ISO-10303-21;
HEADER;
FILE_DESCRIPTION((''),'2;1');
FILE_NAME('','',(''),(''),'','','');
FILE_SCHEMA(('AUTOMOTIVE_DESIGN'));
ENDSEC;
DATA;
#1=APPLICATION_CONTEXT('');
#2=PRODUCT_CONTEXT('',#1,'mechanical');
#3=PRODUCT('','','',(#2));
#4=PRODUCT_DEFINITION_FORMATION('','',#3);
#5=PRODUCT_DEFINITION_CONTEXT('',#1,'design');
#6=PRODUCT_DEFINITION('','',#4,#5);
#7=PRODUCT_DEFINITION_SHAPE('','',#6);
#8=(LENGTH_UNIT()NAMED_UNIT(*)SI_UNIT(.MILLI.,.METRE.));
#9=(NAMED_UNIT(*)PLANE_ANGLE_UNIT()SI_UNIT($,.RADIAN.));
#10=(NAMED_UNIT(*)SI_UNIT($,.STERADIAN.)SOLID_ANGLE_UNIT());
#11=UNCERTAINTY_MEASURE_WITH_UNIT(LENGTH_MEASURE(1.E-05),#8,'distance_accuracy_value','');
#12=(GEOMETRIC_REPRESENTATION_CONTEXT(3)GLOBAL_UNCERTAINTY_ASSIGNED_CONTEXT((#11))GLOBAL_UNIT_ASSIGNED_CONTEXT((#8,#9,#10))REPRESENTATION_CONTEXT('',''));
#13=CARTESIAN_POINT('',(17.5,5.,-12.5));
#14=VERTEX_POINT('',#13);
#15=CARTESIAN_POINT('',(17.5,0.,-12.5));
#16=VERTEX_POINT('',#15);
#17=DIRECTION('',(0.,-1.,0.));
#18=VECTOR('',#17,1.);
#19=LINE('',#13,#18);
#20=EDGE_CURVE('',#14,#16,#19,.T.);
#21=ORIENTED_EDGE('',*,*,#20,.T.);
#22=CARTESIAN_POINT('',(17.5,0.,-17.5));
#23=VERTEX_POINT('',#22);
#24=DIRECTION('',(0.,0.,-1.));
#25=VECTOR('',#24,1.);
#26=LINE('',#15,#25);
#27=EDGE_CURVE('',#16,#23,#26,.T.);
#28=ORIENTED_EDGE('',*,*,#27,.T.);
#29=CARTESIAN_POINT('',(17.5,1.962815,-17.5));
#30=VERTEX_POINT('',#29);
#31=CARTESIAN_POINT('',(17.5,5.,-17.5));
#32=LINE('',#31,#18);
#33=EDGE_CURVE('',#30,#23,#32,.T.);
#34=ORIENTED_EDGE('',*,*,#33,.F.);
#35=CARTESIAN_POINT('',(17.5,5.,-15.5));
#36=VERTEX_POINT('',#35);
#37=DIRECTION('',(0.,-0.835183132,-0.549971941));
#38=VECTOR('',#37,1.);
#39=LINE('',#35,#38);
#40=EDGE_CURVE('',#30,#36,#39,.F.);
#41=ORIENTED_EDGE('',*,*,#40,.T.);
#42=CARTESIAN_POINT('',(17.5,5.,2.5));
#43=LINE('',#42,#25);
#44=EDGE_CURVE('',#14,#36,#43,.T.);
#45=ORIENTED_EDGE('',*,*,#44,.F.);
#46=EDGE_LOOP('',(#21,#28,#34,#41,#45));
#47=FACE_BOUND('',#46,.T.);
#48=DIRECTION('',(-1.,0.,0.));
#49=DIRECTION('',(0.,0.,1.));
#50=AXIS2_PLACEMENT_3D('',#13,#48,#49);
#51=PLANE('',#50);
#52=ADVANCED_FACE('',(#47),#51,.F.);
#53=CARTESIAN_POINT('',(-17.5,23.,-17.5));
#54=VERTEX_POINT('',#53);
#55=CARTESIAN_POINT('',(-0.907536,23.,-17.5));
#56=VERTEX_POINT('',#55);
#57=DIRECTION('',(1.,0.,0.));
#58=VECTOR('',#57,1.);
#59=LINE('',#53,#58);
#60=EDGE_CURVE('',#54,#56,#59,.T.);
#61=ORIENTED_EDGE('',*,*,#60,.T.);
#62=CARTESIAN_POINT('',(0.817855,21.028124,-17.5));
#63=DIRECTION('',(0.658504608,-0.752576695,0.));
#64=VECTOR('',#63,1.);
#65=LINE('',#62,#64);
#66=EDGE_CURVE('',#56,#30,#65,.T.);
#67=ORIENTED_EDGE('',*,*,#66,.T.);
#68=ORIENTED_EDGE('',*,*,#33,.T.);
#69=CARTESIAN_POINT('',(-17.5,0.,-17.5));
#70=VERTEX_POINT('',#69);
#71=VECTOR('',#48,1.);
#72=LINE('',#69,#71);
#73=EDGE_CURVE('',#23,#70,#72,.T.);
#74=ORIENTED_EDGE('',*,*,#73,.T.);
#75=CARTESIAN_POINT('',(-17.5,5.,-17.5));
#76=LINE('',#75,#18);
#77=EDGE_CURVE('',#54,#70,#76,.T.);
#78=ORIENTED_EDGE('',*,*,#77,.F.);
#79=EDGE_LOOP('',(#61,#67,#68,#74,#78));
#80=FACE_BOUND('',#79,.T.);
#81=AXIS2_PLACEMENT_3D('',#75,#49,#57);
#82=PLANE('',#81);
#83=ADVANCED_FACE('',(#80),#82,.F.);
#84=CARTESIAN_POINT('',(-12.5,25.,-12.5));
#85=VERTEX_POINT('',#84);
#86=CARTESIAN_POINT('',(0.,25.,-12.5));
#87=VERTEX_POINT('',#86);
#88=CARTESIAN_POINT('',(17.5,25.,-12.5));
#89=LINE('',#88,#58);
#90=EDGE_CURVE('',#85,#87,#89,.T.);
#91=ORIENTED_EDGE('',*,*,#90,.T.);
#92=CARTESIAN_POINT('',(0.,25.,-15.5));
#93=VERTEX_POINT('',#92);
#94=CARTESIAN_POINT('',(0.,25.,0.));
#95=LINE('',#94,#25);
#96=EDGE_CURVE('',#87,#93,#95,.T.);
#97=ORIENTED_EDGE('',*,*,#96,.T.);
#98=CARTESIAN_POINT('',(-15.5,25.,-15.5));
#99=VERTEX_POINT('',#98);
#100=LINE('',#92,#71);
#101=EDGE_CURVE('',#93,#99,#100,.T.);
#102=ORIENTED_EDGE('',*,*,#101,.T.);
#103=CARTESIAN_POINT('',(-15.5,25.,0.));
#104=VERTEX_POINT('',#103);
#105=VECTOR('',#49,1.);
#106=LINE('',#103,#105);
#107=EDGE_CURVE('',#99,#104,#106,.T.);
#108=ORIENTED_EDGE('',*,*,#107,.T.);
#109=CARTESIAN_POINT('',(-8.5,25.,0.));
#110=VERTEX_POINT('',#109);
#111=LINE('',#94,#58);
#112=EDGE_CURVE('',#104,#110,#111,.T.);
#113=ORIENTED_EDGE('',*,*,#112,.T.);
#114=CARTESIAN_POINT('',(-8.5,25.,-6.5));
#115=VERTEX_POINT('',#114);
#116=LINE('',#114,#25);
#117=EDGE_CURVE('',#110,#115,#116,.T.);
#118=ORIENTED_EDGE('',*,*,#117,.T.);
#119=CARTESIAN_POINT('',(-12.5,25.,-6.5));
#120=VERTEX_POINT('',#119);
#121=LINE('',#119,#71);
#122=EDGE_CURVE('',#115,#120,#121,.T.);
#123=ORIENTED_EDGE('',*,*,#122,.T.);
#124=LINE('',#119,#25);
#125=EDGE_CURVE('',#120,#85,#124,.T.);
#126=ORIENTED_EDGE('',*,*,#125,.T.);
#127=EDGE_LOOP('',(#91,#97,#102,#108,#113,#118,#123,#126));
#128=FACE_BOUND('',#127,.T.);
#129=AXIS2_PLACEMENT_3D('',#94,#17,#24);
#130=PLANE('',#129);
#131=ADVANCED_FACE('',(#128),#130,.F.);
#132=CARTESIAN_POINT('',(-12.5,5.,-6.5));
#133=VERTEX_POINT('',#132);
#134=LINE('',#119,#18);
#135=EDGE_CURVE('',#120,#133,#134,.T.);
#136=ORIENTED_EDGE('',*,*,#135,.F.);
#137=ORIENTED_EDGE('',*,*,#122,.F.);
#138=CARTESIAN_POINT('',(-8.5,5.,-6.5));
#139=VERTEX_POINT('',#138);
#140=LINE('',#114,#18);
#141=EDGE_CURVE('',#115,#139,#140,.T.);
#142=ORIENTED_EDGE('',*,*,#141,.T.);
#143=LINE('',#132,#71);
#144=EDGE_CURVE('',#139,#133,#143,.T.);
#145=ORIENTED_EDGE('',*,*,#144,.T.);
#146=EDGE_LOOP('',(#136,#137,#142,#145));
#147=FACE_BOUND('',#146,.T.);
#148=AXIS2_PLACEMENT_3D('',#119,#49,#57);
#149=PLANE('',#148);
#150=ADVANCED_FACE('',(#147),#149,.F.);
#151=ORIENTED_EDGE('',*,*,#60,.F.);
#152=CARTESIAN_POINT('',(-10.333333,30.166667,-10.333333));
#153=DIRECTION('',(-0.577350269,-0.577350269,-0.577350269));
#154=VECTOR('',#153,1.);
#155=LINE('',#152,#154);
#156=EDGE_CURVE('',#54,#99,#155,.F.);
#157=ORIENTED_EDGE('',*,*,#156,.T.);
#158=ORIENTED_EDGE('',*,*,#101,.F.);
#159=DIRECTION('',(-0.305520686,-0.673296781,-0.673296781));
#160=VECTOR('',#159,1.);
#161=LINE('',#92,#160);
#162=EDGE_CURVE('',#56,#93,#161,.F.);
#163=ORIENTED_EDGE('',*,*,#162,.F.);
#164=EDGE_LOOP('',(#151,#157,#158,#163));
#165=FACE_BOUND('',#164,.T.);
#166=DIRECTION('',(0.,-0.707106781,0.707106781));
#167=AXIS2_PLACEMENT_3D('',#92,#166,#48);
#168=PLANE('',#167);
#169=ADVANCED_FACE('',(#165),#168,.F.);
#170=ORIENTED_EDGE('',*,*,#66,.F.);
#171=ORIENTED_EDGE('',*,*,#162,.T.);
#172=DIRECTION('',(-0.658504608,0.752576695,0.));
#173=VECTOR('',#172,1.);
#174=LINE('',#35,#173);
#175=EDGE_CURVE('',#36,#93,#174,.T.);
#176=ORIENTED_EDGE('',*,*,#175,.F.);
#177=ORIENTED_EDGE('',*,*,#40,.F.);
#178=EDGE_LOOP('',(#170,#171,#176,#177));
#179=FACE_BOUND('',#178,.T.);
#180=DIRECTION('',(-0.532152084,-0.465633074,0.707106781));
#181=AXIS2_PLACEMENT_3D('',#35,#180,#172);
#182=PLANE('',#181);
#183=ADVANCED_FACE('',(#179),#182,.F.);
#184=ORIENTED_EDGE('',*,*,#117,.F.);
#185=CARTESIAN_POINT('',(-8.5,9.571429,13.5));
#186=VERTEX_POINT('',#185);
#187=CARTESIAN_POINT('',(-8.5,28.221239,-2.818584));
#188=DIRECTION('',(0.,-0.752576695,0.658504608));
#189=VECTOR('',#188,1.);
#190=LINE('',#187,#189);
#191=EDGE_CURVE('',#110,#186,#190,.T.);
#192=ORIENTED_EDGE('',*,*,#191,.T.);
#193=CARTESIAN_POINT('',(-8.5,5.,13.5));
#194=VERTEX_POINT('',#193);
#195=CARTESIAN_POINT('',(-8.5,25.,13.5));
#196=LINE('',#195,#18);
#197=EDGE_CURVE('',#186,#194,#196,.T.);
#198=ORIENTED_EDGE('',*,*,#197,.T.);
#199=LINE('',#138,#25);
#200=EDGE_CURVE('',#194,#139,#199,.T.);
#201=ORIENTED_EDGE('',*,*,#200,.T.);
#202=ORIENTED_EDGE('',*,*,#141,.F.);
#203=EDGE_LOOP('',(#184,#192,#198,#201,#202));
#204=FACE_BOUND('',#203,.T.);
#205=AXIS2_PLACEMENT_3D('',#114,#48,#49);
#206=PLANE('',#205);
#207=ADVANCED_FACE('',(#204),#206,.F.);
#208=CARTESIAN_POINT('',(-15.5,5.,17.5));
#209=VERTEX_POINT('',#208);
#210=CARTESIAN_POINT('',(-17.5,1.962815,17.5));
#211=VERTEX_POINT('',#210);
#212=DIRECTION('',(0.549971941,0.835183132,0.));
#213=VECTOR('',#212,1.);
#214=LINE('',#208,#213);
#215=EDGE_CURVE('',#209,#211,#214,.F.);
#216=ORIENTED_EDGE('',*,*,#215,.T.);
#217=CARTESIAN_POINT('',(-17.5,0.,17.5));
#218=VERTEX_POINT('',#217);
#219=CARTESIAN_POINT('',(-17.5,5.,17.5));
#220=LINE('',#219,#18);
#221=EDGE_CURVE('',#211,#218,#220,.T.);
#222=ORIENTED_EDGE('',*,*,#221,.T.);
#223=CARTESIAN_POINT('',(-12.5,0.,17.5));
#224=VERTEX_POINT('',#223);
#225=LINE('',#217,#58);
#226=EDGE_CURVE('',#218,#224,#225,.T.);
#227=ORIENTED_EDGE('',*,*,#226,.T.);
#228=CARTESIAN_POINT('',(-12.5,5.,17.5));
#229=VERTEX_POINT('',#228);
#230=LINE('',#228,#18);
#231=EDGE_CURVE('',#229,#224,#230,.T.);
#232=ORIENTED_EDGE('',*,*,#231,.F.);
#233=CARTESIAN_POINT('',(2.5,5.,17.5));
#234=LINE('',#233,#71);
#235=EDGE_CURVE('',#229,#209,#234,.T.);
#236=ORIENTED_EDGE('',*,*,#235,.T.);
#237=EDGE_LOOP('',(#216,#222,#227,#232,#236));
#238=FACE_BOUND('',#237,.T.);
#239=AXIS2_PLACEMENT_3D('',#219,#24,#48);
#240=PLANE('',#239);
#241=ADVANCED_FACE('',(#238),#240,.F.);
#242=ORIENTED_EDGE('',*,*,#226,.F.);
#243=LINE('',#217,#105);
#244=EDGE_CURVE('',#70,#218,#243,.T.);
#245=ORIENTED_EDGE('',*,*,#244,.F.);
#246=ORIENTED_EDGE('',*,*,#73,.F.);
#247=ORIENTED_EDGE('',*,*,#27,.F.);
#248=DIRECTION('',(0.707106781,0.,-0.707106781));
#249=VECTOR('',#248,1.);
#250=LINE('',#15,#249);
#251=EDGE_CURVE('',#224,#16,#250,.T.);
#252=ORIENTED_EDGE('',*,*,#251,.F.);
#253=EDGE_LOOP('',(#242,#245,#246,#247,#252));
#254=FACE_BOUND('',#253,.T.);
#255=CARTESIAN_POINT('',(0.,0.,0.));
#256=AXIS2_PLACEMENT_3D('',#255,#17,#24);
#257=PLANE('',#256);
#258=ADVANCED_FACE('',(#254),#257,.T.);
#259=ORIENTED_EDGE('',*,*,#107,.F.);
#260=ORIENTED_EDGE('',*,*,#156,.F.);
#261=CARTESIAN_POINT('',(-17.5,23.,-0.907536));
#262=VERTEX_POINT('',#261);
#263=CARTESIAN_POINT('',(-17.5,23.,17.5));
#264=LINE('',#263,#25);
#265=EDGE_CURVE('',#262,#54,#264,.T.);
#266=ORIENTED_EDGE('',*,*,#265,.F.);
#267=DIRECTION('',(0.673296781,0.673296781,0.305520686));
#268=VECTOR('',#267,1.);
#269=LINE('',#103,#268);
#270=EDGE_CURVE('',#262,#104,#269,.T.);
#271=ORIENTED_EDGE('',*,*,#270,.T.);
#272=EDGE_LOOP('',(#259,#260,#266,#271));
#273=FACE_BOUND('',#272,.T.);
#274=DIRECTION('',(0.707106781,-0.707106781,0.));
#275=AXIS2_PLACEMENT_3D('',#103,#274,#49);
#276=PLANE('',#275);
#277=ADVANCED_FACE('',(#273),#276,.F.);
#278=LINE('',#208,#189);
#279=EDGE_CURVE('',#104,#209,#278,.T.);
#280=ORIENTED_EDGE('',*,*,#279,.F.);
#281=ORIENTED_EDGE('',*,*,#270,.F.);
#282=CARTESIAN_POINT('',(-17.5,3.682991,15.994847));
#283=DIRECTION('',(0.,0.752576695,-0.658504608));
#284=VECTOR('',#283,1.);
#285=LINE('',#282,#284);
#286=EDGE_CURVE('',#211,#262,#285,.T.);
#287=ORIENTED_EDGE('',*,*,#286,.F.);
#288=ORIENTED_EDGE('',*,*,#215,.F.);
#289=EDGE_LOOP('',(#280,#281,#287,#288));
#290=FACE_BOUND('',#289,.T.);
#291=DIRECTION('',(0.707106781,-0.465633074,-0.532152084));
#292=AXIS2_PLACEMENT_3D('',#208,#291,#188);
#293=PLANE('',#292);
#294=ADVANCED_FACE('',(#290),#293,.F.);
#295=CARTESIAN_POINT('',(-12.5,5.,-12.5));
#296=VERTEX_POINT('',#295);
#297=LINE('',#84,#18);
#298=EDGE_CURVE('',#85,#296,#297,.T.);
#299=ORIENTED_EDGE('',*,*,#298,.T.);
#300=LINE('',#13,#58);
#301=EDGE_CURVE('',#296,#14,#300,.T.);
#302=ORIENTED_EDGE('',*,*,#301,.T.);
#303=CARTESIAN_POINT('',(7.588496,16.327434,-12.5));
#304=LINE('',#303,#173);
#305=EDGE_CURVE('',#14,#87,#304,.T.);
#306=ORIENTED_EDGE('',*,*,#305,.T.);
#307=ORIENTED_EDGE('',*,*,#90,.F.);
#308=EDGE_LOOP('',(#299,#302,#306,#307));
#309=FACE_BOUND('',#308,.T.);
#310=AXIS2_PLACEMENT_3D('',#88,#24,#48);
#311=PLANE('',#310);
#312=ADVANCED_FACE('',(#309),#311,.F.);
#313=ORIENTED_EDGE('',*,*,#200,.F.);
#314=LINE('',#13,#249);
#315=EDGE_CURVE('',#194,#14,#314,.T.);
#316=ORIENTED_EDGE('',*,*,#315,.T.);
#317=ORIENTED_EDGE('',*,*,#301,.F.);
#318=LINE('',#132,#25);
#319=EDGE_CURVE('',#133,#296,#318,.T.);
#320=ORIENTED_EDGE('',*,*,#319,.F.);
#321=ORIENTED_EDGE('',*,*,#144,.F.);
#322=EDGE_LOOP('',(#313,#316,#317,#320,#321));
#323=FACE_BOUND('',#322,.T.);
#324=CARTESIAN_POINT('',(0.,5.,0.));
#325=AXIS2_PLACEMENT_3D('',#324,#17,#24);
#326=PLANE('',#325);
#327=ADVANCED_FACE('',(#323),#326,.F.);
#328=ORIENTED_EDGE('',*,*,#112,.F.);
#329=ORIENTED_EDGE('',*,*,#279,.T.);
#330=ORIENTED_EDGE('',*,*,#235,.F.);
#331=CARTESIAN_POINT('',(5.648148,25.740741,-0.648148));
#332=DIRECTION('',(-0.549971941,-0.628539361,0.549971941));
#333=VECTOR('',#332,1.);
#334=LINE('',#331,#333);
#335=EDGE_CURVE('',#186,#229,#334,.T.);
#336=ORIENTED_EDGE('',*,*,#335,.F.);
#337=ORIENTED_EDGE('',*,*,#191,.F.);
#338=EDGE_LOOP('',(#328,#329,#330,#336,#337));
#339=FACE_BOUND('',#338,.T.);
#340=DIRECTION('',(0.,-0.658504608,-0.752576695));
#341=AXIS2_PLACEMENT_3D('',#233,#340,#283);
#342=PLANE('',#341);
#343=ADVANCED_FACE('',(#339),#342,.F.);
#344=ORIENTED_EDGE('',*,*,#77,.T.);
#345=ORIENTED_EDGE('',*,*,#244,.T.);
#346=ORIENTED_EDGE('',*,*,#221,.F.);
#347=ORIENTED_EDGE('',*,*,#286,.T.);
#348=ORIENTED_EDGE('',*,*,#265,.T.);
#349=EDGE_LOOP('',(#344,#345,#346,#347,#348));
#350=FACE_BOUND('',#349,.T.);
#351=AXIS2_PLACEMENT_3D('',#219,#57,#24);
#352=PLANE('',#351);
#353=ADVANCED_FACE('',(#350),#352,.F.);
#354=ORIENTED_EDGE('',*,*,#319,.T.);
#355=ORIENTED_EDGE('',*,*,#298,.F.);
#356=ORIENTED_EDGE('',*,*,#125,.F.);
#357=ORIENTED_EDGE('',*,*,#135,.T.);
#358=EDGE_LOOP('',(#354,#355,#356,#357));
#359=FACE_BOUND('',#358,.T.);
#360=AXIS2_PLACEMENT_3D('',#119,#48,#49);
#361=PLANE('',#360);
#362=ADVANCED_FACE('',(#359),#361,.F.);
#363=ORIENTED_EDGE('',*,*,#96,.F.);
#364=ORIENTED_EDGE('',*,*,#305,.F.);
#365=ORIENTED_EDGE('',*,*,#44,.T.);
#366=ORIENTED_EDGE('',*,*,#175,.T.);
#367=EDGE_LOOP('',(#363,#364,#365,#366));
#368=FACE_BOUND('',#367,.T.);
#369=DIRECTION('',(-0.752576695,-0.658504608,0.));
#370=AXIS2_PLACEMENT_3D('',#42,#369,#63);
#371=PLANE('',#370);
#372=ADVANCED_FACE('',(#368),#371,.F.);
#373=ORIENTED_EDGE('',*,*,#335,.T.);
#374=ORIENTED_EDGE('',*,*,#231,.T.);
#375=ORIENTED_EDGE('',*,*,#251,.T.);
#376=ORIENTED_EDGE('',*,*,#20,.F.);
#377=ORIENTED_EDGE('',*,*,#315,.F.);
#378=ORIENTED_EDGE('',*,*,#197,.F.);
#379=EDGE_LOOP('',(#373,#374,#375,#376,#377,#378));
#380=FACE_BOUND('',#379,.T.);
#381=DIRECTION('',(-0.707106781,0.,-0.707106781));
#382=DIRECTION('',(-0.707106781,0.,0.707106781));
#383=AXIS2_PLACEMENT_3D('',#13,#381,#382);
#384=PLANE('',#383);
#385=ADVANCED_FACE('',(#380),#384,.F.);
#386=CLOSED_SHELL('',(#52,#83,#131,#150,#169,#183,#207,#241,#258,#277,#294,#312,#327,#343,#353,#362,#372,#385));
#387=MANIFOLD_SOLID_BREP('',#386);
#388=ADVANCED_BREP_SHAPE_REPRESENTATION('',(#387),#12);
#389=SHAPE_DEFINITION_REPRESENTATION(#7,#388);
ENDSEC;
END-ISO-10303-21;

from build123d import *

# Parameters (mm, degrees)
BOSS_EXTRUDE1_DEPTH = 5
BOSS_EXTRUDE2_DEPTH = 20
CUT_EXTRUDE1_DEPTH  = 20
CUT_EXTRUDE2_DEPTH  = 20
CHAMFER1_SIZE       = 2


with BuildPart() as part:
    # Sketch1 → Boss-Extrude1 (new body)
    with BuildSketch(Plane(origin=(0, 0, 0), x_dir=(1, 0, 0), z_dir=(0, 1, 0))):
        Polygon((17.5, 12.5), (-12.5, -17.5), (-17.5, -17.5), (-17.5, 17.5), (17.5, 17.5), align=None)
    extrude(amount=BOSS_EXTRUDE1_DEPTH)

    # Sketch2 → Boss-Extrude2 (add)
    with BuildSketch(Plane(origin=(0, 5, 0), x_dir=(1, 0, 0), z_dir=(0, 1, 0))):
        Polygon((17.5, 17.5), (-17.5, 17.5), (-17.5, 12.5), (-17.5, -17.5), (-12.5, -17.5), (-8.5, -13.5), (-8.5, 6.5), (-12.5, 6.5), (-12.5, 12.5), (17.5, 12.5), align=None)
    extrude(amount=BOSS_EXTRUDE2_DEPTH)

    # Sketch3 → Cut-Extrude1 (cut)
    with BuildSketch(Plane(origin=(0, 0, -17.5), x_dir=(-1, 0, 0), z_dir=(0, 0, -1))):
        Polygon((-17.5, 5), (0, 25), (-17.5, 25), align=None)
    extrude(amount=-CUT_EXTRUDE1_DEPTH, mode=Mode.SUBTRACT)

    # Sketch4 → Cut-Extrude2 (cut)
    with BuildSketch(Plane.ZY.offset(17.5)):
        Polygon((17.5, 5), (0, 25), (17.5, 25), align=None)
    extrude(amount=-CUT_EXTRUDE2_DEPTH, mode=Mode.SUBTRACT)

    # Chamfer1
    chamfer1_edges = [part.edges().sort_by_distance(p)[0] for p in [
        (-17.5, 25, -8.75),
        (-8.75, 25, -17.5),
        (8.75, 15, -17.5),
        (-17.5, 15, 8.75),
    ]]
    chamfer(chamfer1_edges, length=CHAMFER1_SIZE)


solid = part.part
